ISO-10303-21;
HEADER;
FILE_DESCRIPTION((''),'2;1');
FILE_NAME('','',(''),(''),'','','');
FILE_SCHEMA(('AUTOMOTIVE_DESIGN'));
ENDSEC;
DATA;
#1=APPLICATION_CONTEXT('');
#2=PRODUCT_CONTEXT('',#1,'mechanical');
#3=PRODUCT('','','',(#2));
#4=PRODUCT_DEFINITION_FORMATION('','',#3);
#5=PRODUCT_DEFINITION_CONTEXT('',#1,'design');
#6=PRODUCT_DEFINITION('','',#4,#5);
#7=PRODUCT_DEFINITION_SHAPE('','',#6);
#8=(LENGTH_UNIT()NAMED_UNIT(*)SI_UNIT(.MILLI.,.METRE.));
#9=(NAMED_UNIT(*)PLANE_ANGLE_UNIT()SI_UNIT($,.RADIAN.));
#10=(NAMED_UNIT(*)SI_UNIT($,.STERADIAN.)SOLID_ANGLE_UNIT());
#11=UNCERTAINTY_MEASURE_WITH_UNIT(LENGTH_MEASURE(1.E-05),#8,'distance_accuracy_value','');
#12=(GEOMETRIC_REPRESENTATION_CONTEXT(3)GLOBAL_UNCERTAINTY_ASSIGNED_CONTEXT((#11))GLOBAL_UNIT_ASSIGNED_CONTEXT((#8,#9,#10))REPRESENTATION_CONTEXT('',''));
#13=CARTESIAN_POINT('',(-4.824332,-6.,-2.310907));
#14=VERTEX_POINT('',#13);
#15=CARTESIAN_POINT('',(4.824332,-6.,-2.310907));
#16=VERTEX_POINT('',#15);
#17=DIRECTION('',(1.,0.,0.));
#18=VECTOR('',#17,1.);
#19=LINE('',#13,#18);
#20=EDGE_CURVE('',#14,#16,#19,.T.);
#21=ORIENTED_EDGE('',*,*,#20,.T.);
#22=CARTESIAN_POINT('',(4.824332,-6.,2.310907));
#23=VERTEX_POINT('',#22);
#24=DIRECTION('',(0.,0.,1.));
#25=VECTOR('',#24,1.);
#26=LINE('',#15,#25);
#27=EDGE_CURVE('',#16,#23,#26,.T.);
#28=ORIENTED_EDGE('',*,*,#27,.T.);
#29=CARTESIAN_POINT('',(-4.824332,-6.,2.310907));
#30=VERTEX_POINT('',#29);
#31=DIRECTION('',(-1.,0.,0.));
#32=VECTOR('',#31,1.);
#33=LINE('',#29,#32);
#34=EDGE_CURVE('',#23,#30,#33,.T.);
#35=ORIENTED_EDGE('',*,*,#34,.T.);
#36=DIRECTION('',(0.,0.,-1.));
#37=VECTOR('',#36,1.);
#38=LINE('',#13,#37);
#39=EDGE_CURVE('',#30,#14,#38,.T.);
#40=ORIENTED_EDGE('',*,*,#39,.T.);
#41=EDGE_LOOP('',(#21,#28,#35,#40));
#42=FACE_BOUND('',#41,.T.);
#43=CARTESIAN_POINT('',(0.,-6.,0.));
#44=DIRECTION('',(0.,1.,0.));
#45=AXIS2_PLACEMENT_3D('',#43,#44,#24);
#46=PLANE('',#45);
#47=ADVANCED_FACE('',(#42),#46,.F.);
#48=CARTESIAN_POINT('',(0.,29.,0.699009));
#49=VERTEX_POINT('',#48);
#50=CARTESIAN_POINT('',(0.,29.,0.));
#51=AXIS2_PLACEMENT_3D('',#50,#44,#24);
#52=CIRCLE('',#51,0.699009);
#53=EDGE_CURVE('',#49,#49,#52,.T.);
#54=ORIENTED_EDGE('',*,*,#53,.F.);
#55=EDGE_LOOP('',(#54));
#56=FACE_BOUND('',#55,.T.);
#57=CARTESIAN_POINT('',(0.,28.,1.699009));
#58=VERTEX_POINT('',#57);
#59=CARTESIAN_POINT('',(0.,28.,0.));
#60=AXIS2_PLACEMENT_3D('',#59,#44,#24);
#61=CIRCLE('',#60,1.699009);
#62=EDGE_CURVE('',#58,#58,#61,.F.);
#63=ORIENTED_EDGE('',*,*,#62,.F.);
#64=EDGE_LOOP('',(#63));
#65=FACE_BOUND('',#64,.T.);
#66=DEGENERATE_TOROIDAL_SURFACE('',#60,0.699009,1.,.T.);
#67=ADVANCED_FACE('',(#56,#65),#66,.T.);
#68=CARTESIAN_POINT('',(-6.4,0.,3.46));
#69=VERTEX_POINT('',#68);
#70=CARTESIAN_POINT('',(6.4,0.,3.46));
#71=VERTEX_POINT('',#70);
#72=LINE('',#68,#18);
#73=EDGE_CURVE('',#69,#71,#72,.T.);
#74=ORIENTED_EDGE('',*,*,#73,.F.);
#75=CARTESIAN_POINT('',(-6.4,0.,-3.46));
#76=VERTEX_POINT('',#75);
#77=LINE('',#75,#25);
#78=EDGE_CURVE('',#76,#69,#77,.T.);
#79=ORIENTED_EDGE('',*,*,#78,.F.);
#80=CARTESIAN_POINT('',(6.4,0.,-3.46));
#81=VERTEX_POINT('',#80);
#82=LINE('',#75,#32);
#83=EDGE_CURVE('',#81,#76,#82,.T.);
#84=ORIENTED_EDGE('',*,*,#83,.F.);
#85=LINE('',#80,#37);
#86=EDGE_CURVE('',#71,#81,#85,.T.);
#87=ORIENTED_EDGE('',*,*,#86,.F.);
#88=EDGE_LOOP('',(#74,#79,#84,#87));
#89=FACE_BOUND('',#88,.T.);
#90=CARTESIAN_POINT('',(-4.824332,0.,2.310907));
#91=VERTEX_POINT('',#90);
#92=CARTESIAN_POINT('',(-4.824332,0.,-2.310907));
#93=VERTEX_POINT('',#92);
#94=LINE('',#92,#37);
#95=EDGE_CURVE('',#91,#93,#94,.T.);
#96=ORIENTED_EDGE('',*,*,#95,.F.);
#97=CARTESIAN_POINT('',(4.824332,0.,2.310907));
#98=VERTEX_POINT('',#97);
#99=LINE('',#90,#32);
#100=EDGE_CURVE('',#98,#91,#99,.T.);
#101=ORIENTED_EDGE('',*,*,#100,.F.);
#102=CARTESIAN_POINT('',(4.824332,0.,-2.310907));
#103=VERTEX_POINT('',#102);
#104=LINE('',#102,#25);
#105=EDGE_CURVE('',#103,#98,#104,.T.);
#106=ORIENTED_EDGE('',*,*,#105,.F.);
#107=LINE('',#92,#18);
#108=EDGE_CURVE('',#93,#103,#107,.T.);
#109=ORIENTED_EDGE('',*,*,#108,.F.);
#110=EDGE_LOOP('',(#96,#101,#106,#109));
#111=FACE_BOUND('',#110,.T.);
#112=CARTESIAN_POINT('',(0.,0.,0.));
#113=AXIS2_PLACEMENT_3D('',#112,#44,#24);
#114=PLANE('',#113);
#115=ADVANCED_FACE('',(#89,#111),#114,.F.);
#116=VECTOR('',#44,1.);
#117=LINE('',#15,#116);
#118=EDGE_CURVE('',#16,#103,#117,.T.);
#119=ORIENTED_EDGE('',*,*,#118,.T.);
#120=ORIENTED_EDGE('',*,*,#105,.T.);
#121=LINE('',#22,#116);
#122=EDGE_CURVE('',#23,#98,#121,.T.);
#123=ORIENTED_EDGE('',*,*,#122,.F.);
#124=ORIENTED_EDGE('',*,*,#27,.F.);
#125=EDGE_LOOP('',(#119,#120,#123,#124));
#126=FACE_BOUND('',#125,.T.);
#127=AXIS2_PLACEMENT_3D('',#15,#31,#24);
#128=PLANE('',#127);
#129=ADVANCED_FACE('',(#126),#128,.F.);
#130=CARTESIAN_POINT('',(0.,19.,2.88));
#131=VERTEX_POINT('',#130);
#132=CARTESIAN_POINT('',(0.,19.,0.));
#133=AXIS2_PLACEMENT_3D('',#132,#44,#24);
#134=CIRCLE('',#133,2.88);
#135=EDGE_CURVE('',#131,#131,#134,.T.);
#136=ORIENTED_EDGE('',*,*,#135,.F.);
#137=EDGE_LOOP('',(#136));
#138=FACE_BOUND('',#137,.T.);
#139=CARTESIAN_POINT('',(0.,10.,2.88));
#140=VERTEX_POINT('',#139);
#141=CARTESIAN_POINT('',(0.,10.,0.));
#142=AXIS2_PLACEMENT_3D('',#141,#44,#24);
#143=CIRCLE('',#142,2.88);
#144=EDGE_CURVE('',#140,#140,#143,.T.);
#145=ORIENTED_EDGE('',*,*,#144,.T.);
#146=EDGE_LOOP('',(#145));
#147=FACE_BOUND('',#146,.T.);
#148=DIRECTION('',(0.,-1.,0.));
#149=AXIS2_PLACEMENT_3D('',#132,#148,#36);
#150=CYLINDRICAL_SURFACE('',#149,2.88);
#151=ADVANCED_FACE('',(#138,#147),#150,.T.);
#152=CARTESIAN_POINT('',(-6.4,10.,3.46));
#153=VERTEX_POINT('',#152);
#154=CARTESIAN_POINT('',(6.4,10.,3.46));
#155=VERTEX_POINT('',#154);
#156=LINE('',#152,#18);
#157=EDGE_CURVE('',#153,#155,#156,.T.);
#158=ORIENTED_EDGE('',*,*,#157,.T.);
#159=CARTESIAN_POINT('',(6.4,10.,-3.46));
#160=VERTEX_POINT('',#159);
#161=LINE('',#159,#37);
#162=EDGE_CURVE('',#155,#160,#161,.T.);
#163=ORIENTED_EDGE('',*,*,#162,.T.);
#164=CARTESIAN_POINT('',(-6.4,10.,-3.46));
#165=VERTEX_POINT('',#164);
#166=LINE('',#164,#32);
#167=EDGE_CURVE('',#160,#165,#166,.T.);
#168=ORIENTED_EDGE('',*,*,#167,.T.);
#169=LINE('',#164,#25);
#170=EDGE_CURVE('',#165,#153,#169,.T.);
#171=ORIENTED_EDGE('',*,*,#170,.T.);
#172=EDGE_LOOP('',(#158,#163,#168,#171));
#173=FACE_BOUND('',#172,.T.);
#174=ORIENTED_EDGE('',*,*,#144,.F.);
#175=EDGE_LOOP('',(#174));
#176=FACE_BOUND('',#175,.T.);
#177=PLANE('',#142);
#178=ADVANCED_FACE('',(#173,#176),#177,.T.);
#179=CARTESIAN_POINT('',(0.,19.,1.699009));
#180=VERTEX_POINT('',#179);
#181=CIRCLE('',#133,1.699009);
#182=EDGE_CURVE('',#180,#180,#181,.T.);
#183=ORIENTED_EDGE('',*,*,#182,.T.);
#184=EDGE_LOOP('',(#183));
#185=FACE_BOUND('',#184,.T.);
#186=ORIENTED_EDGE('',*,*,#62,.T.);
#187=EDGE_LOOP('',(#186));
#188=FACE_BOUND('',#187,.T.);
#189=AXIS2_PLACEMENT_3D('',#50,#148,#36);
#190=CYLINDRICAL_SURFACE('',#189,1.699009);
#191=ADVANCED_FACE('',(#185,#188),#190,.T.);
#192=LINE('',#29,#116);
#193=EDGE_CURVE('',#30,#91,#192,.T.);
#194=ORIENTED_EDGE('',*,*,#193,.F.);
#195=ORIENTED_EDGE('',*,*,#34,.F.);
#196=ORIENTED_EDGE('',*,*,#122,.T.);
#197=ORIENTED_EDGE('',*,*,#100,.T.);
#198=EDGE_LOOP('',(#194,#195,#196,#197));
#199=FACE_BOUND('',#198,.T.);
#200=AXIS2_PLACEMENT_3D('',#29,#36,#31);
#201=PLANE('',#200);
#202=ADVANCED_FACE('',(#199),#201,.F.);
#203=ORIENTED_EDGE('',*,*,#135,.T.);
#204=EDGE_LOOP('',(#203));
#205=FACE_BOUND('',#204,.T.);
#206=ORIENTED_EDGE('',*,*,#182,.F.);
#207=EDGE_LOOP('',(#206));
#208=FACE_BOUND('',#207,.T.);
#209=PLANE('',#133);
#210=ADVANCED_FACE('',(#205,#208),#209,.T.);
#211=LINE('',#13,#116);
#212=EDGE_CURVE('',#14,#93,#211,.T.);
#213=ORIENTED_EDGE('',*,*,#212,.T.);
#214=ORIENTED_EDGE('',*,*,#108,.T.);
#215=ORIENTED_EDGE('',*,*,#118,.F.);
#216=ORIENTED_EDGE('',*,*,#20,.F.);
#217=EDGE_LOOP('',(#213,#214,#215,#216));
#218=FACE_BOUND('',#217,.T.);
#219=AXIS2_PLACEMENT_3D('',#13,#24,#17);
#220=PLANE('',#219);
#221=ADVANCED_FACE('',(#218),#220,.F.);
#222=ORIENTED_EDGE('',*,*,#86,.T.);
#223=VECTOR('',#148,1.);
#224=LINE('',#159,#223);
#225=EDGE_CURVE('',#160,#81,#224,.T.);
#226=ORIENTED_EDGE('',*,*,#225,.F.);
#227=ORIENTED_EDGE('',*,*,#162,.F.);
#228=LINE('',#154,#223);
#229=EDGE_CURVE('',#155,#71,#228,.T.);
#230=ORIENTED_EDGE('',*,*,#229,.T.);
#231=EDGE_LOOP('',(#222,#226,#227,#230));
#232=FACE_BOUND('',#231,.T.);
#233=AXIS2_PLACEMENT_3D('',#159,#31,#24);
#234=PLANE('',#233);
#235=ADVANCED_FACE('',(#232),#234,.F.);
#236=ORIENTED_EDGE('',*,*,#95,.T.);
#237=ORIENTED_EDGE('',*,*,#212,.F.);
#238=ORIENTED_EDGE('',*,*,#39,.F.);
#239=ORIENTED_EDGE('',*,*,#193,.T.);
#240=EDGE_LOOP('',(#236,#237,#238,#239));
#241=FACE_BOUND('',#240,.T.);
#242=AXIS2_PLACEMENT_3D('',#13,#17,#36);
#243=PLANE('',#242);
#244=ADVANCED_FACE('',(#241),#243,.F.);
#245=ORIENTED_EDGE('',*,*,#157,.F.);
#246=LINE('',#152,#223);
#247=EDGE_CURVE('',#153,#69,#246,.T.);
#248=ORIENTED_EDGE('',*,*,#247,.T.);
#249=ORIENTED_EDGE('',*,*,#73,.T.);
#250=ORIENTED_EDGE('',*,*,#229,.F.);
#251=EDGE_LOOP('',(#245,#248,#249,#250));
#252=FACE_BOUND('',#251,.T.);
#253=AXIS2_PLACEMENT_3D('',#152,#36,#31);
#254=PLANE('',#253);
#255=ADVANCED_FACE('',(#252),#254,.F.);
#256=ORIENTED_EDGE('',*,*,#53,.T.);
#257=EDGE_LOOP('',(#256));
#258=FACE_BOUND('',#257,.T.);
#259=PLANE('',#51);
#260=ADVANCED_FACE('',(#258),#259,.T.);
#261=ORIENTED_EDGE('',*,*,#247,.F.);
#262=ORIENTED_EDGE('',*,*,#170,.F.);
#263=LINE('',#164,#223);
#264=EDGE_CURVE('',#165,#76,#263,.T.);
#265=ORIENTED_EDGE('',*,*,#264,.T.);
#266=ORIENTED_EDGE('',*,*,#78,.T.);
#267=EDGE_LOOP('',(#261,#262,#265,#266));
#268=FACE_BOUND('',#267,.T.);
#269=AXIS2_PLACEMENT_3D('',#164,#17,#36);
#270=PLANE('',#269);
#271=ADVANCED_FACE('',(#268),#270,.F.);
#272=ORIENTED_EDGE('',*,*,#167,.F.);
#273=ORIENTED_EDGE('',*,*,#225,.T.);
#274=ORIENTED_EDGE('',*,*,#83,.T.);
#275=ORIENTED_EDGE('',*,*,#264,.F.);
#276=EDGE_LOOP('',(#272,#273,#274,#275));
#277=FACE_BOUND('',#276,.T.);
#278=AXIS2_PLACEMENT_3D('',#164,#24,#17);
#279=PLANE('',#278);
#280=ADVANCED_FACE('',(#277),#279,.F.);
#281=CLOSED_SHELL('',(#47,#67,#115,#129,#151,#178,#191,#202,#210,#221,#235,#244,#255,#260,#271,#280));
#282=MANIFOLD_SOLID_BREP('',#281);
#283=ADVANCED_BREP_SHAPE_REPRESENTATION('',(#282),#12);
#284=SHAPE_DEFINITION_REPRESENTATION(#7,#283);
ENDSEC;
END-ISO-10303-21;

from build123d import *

# Parameters (mm, degrees)
SKETCH1_W           = 12.8
SKETCH1_H           = 6.92
BOSS_EXTRUDE1_DEPTH = 10
SKETCH2_R           = 2.88
BOSS_EXTRUDE2_DEPTH = 9
SKETCH3_R           = 1.699009251
BOSS_EXTRUDE3_DEPTH = 10
FILLET1_R           = 1
SKETCH4_W           = 9.648664286
SKETCH4_H           = 4.621814488
BOSS_EXTRUDE4_DEPTH = 6


with BuildPart() as part:
    # Sketch1 → Boss-Extrude1 (new body)
    with BuildSketch(Plane(origin=(0, 0, 0), x_dir=(1, 0, 0), z_dir=(0, 1, 0))):
        Rectangle(SKETCH1_W, SKETCH1_H)
    extrude(amount=BOSS_EXTRUDE1_DEPTH)

    # Sketch2 → Boss-Extrude2 (add)
    with BuildSketch(Plane(origin=(0, 10, 0), x_dir=(1, 0, 0), z_dir=(0, 1, 0))):
        Circle(SKETCH2_R)
    extrude(amount=BOSS_EXTRUDE2_DEPTH)

    # Sketch3 → Boss-Extrude3 (add)
    with BuildSketch(Plane(origin=(0, 19, 0), x_dir=(1, 0, 0), z_dir=(0, 1, 0))):
        Circle(SKETCH3_R)
    extrude(amount=BOSS_EXTRUDE3_DEPTH)

    # Fillet1
    fillet1_edges = [part.edges().sort_by_distance(p)[0] for p in [
        (-1.699009251, 29, 0),
    ]]
    fillet(fillet1_edges, radius=FILLET1_R)

    # Sketch4 → Boss-Extrude4 (add)
    with BuildSketch(Plane.XZ):
        Rectangle(SKETCH4_W, SKETCH4_H)
    extrude(amount=BOSS_EXTRUDE4_DEPTH)


solid = part.part
